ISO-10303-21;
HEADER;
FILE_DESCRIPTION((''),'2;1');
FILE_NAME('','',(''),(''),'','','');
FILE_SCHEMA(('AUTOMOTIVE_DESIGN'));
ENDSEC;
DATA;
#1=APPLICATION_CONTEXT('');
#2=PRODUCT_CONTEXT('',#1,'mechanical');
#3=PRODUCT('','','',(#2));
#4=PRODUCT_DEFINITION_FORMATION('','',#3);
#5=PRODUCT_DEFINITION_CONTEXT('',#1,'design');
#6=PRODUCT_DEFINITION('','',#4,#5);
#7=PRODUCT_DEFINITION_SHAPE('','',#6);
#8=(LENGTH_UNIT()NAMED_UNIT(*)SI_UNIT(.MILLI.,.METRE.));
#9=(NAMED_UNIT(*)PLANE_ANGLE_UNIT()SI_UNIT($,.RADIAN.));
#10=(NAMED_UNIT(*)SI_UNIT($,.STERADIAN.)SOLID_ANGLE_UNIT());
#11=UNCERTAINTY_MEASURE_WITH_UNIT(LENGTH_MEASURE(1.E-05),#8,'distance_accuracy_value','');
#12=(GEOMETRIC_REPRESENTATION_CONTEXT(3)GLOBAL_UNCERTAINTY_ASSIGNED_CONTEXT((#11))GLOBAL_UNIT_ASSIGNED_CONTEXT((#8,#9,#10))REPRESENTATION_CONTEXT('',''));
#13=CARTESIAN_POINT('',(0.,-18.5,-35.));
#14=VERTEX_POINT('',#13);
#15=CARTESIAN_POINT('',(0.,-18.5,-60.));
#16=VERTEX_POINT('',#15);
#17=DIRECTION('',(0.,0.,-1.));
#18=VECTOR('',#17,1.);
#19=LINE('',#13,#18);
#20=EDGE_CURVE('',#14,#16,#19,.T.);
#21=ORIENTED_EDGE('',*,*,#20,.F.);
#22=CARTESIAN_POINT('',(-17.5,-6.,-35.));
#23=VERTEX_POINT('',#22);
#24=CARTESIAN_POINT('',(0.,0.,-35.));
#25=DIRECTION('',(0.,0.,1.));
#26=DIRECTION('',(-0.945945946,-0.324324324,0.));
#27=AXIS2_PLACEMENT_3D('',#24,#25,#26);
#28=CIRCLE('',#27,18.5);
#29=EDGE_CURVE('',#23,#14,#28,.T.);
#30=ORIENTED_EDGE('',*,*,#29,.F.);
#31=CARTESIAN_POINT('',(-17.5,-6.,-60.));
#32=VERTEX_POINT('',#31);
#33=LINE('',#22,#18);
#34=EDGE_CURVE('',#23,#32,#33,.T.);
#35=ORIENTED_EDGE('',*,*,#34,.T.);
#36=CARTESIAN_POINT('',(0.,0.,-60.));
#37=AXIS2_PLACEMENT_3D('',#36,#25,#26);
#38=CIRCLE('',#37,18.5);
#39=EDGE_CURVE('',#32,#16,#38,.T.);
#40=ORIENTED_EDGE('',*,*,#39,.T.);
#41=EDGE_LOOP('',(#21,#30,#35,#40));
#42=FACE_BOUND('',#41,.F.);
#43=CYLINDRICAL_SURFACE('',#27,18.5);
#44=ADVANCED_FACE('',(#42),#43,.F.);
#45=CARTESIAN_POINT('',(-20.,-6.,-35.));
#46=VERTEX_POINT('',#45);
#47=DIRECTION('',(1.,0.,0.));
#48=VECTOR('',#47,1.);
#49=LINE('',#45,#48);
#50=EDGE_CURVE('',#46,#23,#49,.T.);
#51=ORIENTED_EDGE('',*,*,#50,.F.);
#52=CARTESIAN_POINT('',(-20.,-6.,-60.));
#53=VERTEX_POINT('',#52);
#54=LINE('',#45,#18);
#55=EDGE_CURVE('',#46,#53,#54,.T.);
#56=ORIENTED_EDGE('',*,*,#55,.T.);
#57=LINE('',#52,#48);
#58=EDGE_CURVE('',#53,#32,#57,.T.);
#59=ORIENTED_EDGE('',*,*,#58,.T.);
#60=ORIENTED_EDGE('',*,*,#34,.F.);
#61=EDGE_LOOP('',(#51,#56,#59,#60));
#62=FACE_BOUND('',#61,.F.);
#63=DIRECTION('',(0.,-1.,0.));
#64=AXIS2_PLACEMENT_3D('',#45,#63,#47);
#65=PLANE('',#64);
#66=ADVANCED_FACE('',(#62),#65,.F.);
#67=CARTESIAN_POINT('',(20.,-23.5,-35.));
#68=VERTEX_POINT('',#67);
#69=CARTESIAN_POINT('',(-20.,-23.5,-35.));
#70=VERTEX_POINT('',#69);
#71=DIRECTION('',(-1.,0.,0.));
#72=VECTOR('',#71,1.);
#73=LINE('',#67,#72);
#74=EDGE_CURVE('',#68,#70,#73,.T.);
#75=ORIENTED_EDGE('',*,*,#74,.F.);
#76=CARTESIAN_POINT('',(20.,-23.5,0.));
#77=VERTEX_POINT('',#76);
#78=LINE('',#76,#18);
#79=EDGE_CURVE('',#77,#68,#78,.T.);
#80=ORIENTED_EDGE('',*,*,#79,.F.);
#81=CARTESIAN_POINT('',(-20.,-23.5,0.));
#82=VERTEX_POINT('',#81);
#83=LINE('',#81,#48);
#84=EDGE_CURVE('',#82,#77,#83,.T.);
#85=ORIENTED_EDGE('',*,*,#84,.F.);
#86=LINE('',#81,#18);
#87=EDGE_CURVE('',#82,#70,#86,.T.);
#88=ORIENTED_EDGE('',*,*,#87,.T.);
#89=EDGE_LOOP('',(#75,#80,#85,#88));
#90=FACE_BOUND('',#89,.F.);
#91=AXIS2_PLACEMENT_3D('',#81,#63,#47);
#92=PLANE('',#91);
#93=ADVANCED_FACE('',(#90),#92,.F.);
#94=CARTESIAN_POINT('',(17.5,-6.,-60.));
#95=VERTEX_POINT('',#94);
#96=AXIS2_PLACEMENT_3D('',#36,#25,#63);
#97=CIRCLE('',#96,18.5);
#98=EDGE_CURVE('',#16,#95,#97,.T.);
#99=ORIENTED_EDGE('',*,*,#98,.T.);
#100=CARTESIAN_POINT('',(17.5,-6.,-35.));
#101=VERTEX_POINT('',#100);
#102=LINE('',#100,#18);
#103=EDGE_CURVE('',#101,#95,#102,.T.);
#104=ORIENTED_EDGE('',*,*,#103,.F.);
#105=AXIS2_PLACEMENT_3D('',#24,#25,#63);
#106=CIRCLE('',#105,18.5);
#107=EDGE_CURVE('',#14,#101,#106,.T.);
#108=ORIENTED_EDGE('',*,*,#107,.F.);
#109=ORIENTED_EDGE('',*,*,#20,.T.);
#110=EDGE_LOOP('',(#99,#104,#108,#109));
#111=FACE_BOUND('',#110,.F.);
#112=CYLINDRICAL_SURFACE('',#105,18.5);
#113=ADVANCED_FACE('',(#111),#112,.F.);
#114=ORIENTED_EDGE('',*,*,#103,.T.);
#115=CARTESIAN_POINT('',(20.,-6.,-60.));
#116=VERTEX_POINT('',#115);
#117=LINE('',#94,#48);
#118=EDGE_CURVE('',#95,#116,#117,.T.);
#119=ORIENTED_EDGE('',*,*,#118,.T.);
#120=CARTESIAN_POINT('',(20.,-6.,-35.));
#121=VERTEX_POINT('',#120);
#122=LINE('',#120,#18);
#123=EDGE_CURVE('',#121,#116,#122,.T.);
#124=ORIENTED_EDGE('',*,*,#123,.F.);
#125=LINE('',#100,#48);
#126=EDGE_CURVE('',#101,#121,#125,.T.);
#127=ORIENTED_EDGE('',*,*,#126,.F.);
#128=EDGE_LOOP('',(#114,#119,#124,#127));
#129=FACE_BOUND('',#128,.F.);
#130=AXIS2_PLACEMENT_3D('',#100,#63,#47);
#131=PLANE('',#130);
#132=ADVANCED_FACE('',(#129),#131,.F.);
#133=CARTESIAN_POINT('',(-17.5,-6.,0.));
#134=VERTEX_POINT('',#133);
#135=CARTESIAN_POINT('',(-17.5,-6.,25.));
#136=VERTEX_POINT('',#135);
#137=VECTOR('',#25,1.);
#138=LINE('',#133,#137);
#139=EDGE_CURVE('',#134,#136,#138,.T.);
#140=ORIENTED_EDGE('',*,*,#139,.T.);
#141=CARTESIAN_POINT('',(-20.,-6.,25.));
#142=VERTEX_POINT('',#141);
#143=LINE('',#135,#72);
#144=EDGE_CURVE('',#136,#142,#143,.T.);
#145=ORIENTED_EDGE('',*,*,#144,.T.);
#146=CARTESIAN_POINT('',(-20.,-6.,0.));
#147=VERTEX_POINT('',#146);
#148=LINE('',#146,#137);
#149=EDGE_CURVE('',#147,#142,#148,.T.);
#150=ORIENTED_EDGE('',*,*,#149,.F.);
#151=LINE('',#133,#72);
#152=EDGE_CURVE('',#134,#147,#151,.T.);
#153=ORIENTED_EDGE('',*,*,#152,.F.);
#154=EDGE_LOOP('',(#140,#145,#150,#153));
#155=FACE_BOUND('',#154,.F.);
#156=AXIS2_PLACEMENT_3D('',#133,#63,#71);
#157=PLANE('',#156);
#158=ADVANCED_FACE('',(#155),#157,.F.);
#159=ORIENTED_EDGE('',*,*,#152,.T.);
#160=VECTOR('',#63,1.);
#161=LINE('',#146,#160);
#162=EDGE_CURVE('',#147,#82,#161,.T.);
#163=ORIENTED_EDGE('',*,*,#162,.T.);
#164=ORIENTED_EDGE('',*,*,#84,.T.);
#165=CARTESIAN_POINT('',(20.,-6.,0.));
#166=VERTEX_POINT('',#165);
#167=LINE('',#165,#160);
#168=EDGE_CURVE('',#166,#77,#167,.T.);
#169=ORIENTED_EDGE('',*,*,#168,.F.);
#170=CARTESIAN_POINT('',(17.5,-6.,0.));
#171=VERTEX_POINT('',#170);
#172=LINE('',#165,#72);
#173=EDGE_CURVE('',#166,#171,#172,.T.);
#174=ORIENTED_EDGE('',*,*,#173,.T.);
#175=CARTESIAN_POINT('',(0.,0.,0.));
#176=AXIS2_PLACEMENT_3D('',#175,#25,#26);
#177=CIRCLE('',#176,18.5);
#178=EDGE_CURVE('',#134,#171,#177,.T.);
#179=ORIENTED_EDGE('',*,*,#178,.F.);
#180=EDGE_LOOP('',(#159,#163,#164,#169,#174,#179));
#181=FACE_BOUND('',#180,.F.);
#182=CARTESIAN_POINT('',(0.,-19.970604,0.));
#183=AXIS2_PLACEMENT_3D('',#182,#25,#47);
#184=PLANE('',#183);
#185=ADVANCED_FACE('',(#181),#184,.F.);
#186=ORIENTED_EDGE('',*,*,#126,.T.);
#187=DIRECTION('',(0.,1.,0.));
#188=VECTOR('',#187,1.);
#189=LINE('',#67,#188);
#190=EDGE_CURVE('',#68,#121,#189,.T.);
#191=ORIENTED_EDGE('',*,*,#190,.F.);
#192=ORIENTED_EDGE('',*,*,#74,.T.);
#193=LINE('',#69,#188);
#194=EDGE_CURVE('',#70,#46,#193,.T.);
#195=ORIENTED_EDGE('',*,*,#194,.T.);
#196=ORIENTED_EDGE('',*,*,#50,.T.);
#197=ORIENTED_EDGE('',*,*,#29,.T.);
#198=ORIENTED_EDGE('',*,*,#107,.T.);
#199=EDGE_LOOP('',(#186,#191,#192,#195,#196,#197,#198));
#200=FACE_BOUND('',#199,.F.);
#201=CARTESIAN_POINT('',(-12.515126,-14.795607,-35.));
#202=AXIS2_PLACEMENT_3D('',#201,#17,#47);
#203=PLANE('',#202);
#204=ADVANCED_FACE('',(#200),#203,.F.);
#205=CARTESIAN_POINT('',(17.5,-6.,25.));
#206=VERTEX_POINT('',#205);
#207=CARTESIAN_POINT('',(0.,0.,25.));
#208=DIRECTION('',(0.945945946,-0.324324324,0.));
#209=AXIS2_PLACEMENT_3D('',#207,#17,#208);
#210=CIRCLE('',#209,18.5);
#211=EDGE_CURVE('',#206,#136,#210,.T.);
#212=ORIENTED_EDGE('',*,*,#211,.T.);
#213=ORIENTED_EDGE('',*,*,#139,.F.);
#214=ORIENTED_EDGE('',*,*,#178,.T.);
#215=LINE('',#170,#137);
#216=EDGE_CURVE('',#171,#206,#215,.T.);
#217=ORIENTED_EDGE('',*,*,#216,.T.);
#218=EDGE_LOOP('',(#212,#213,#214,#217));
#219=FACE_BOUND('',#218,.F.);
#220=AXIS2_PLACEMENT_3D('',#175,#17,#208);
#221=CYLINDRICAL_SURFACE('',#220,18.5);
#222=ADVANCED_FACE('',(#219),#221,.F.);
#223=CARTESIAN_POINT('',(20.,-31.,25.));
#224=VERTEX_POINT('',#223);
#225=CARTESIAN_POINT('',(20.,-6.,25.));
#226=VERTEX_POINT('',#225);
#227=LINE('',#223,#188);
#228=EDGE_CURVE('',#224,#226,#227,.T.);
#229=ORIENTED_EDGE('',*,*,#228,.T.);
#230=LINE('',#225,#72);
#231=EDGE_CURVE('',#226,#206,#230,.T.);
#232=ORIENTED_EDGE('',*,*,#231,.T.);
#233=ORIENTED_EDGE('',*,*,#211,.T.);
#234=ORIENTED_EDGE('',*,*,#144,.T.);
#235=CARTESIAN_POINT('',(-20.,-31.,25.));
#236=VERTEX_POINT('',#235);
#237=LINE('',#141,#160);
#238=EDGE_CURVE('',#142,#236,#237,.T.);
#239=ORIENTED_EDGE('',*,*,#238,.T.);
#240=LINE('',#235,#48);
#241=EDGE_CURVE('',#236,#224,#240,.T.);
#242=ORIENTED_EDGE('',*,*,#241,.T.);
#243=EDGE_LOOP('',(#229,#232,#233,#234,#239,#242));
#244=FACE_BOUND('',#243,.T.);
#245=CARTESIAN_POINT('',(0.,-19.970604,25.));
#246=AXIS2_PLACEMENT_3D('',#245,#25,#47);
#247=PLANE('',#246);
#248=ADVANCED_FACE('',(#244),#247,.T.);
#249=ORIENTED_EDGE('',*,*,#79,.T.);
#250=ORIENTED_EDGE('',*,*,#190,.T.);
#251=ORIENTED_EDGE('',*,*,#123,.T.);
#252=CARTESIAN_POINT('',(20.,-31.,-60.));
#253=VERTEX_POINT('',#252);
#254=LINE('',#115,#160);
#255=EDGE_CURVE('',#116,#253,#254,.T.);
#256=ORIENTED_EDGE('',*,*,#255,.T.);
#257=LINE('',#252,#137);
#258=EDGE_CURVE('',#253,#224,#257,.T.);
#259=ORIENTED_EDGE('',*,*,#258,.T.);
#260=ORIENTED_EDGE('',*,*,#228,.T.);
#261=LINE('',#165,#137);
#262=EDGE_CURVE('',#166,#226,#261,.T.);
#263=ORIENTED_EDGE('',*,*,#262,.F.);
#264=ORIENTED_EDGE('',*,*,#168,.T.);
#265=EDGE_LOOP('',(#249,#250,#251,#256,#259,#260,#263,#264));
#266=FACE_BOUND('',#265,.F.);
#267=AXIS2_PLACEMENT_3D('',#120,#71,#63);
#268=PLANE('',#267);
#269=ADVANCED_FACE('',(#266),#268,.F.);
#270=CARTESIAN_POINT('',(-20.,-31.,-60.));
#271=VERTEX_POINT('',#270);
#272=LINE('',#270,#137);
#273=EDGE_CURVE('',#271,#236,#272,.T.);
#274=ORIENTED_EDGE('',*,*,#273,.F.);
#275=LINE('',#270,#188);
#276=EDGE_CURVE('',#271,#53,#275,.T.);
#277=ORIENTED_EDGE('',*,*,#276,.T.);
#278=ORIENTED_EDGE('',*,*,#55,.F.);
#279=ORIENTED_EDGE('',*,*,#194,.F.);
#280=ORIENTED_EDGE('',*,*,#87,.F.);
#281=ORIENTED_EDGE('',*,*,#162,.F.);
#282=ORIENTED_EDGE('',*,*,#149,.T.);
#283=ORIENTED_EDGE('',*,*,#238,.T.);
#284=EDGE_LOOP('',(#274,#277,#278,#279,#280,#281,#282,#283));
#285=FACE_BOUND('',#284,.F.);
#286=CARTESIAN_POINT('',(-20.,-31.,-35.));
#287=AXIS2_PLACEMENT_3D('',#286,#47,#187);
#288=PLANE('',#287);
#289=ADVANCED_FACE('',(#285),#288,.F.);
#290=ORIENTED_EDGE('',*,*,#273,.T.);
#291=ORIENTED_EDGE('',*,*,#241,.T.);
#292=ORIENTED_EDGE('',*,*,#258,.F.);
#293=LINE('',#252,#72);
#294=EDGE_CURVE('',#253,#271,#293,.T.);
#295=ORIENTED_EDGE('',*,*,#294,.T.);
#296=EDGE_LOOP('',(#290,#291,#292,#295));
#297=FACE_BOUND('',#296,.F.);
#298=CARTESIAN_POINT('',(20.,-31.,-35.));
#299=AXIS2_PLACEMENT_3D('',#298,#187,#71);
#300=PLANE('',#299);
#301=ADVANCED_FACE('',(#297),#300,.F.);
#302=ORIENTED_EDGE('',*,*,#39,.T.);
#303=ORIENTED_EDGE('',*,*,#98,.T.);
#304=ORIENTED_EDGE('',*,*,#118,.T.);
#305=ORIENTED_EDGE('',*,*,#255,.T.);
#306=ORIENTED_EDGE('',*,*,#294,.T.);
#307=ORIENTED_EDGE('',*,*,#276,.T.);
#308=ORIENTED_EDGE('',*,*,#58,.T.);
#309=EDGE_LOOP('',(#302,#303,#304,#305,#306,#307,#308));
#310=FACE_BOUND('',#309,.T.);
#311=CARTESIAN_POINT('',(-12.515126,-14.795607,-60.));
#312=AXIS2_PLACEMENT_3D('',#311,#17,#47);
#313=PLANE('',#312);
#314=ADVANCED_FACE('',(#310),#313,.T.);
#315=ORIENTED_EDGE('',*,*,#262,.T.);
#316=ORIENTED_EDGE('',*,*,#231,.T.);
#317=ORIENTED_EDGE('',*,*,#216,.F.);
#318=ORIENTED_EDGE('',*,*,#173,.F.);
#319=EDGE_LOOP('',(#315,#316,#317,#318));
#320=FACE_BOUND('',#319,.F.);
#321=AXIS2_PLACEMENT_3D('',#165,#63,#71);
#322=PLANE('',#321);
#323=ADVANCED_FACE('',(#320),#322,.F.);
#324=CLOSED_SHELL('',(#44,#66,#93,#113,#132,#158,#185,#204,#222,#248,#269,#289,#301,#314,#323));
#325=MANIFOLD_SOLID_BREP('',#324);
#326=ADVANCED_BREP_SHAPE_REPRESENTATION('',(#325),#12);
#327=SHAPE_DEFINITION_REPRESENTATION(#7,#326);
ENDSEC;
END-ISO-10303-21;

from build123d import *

# Parameters (mm, degrees)
F1_DEPTH = 25
F2_W     = 40
F2_H     = 12.5
F3_DEPTH = 35
F5_DEPTH = 25
F6_DEPTH = 5


with BuildPart() as f1:
    # F0 (on Top) → F1 (new body)
    with BuildSketch(Plane.XY):
        with BuildLine():
            ThreePointArc((17.5, -6), (0, -18.5), (-17.5, -6))
            Line((-17.5, -6), (-20, -6))
            Line((-20, -6), (-20, -31))
            Line((-20, -31), (20, -31))
            Line((20, -31), (20, -6))
            Line((20, -6), (17.5, -6))
        make_face()
    extrude(amount=F1_DEPTH)

    # F2 (on face) → F3 (join)
    with BuildSketch(Plane(origin=(0, 0, 0), x_dir=(1, 0, 0), z_dir=(0, 0, -1))):
        with Locations((0, 24.75)):
            Rectangle(F2_W, F2_H)
    extrude(amount=F3_DEPTH)

    # F4 (on face) → F5 (join)
    with BuildSketch(Plane(origin=(0, 0, -35), x_dir=(1, 0, 0), z_dir=(0, 0, -1))):
        with BuildLine():
            Line((-20, 6), (-17.5, 6))
            ThreePointArc((-17.5, 6), (-10.7529065838, 15.0540692173), (0, 18.5))
            Line((0, 18.5), (-20, 18.5))
            Line((-20, 18.5), (-20, 6))
        make_face()
        Polygon((-20, 18.5), (0, 18.5), (20, 18.5), (20, 31), (-20, 31), align=None)
        with BuildLine():
            ThreePointArc((0, 18.5), (10.7529065838, 15.0540692173), (17.5, 6))
            Line((17.5, 6), (20, 6))
            Line((20, 6), (20, 18.5))
            Line((20, 18.5), (0, 18.5))
        make_face()
    extrude(amount=F5_DEPTH)

    # F6 (cut): a face of the model
    f6_faces = [f1.faces().sort_by_distance(p)[0] for p in [
        (0, -18.5, -17.5),
    ]]
    extrude(f6_faces, amount=-F6_DEPTH, mode=Mode.SUBTRACT)


solid = f1.part
